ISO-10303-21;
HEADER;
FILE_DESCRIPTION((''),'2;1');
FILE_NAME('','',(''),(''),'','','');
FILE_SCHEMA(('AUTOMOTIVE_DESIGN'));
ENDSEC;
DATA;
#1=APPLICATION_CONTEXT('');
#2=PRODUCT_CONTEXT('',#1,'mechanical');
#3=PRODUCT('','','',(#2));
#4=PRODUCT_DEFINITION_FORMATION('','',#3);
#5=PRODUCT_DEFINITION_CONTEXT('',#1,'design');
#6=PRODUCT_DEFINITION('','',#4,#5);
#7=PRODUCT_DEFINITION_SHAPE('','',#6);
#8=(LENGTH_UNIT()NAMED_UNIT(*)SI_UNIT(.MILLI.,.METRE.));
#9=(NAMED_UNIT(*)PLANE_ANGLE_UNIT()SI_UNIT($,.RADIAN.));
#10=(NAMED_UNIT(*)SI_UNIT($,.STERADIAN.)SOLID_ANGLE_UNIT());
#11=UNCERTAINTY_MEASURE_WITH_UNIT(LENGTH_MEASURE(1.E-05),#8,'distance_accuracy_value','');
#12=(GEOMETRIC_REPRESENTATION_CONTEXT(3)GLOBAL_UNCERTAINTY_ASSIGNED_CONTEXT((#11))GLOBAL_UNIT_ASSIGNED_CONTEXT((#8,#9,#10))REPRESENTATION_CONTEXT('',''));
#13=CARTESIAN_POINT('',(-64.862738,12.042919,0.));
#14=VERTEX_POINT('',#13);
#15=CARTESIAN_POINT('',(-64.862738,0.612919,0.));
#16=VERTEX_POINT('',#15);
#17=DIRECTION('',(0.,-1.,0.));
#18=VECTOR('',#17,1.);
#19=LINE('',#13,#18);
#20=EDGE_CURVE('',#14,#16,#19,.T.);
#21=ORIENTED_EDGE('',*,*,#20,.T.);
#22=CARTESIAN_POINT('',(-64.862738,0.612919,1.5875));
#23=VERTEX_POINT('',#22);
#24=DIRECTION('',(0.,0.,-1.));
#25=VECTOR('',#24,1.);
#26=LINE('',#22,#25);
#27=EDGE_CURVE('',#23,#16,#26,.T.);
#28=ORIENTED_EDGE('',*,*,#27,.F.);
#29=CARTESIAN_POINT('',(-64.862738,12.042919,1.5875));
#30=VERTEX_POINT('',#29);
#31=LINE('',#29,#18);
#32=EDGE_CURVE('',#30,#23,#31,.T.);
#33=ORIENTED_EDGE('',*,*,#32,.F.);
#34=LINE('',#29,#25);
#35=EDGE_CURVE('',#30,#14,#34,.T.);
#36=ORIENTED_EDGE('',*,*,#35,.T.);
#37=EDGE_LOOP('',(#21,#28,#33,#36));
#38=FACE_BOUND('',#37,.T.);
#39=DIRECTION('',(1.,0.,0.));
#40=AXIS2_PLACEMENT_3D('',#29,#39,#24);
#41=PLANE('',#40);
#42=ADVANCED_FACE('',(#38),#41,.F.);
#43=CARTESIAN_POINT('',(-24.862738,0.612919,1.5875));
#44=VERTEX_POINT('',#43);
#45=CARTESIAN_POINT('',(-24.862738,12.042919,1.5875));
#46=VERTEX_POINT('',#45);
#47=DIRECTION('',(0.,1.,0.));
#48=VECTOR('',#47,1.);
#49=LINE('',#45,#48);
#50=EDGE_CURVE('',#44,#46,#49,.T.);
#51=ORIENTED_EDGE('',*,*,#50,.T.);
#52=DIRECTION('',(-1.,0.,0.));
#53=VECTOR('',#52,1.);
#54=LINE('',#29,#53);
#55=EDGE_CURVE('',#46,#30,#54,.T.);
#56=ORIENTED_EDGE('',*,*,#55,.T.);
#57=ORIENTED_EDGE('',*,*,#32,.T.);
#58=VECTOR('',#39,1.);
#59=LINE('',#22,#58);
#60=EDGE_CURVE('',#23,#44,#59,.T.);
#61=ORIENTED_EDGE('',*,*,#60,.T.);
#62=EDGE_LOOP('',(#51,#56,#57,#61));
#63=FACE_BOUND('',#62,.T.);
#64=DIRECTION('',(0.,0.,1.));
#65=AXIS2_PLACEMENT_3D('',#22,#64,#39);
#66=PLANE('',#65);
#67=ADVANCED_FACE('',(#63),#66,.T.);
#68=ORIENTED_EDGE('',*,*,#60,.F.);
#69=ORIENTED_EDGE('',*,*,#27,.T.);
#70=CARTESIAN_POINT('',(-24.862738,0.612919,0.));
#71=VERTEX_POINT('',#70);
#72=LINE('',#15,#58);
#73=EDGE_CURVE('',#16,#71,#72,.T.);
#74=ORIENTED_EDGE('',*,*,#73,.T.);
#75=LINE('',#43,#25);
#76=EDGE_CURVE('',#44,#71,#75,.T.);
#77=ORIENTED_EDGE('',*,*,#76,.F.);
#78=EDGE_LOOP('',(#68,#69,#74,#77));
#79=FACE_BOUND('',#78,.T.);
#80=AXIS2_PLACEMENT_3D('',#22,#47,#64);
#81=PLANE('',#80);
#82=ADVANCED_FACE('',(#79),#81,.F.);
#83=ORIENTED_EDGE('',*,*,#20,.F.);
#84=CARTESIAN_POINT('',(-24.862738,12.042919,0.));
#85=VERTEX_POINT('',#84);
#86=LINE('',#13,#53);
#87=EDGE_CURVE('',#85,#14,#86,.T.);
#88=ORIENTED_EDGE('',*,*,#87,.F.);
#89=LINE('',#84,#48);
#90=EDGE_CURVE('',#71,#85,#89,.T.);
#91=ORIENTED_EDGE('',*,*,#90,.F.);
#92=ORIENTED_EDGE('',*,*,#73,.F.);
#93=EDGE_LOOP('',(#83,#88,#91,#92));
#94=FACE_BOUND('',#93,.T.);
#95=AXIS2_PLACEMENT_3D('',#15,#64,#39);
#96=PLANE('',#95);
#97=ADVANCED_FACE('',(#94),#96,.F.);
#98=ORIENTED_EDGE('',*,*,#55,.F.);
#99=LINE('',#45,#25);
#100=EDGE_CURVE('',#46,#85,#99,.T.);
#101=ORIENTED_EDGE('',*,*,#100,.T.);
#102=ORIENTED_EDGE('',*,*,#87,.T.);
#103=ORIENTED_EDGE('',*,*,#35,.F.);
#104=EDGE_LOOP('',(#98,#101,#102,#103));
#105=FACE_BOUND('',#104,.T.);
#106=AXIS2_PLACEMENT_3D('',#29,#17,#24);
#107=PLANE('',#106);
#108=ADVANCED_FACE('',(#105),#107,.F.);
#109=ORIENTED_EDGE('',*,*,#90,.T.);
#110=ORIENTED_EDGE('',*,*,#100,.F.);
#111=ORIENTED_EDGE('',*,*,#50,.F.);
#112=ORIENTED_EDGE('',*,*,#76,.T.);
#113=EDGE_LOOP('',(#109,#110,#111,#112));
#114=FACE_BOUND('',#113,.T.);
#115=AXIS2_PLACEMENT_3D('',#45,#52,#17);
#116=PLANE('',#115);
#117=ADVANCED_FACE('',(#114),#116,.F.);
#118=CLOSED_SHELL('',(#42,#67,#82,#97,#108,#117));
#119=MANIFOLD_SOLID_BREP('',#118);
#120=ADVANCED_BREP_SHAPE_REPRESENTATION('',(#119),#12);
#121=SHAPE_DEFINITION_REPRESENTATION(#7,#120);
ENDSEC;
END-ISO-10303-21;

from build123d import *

# Parameters (mm, degrees)
SKETCH1_W           = 40
SKETCH1_H           = 11.43
BOSS_EXTRUDE1_DEPTH = 1.5875


with BuildPart() as part:
    # Sketch1 → Boss-Extrude1 (new body)
    with BuildSketch(Plane.XY):
        with Locations((-44.862738222, 6.327918823)):
            Rectangle(SKETCH1_W, SKETCH1_H)
    extrude(amount=BOSS_EXTRUDE1_DEPTH)


solid = part.part
